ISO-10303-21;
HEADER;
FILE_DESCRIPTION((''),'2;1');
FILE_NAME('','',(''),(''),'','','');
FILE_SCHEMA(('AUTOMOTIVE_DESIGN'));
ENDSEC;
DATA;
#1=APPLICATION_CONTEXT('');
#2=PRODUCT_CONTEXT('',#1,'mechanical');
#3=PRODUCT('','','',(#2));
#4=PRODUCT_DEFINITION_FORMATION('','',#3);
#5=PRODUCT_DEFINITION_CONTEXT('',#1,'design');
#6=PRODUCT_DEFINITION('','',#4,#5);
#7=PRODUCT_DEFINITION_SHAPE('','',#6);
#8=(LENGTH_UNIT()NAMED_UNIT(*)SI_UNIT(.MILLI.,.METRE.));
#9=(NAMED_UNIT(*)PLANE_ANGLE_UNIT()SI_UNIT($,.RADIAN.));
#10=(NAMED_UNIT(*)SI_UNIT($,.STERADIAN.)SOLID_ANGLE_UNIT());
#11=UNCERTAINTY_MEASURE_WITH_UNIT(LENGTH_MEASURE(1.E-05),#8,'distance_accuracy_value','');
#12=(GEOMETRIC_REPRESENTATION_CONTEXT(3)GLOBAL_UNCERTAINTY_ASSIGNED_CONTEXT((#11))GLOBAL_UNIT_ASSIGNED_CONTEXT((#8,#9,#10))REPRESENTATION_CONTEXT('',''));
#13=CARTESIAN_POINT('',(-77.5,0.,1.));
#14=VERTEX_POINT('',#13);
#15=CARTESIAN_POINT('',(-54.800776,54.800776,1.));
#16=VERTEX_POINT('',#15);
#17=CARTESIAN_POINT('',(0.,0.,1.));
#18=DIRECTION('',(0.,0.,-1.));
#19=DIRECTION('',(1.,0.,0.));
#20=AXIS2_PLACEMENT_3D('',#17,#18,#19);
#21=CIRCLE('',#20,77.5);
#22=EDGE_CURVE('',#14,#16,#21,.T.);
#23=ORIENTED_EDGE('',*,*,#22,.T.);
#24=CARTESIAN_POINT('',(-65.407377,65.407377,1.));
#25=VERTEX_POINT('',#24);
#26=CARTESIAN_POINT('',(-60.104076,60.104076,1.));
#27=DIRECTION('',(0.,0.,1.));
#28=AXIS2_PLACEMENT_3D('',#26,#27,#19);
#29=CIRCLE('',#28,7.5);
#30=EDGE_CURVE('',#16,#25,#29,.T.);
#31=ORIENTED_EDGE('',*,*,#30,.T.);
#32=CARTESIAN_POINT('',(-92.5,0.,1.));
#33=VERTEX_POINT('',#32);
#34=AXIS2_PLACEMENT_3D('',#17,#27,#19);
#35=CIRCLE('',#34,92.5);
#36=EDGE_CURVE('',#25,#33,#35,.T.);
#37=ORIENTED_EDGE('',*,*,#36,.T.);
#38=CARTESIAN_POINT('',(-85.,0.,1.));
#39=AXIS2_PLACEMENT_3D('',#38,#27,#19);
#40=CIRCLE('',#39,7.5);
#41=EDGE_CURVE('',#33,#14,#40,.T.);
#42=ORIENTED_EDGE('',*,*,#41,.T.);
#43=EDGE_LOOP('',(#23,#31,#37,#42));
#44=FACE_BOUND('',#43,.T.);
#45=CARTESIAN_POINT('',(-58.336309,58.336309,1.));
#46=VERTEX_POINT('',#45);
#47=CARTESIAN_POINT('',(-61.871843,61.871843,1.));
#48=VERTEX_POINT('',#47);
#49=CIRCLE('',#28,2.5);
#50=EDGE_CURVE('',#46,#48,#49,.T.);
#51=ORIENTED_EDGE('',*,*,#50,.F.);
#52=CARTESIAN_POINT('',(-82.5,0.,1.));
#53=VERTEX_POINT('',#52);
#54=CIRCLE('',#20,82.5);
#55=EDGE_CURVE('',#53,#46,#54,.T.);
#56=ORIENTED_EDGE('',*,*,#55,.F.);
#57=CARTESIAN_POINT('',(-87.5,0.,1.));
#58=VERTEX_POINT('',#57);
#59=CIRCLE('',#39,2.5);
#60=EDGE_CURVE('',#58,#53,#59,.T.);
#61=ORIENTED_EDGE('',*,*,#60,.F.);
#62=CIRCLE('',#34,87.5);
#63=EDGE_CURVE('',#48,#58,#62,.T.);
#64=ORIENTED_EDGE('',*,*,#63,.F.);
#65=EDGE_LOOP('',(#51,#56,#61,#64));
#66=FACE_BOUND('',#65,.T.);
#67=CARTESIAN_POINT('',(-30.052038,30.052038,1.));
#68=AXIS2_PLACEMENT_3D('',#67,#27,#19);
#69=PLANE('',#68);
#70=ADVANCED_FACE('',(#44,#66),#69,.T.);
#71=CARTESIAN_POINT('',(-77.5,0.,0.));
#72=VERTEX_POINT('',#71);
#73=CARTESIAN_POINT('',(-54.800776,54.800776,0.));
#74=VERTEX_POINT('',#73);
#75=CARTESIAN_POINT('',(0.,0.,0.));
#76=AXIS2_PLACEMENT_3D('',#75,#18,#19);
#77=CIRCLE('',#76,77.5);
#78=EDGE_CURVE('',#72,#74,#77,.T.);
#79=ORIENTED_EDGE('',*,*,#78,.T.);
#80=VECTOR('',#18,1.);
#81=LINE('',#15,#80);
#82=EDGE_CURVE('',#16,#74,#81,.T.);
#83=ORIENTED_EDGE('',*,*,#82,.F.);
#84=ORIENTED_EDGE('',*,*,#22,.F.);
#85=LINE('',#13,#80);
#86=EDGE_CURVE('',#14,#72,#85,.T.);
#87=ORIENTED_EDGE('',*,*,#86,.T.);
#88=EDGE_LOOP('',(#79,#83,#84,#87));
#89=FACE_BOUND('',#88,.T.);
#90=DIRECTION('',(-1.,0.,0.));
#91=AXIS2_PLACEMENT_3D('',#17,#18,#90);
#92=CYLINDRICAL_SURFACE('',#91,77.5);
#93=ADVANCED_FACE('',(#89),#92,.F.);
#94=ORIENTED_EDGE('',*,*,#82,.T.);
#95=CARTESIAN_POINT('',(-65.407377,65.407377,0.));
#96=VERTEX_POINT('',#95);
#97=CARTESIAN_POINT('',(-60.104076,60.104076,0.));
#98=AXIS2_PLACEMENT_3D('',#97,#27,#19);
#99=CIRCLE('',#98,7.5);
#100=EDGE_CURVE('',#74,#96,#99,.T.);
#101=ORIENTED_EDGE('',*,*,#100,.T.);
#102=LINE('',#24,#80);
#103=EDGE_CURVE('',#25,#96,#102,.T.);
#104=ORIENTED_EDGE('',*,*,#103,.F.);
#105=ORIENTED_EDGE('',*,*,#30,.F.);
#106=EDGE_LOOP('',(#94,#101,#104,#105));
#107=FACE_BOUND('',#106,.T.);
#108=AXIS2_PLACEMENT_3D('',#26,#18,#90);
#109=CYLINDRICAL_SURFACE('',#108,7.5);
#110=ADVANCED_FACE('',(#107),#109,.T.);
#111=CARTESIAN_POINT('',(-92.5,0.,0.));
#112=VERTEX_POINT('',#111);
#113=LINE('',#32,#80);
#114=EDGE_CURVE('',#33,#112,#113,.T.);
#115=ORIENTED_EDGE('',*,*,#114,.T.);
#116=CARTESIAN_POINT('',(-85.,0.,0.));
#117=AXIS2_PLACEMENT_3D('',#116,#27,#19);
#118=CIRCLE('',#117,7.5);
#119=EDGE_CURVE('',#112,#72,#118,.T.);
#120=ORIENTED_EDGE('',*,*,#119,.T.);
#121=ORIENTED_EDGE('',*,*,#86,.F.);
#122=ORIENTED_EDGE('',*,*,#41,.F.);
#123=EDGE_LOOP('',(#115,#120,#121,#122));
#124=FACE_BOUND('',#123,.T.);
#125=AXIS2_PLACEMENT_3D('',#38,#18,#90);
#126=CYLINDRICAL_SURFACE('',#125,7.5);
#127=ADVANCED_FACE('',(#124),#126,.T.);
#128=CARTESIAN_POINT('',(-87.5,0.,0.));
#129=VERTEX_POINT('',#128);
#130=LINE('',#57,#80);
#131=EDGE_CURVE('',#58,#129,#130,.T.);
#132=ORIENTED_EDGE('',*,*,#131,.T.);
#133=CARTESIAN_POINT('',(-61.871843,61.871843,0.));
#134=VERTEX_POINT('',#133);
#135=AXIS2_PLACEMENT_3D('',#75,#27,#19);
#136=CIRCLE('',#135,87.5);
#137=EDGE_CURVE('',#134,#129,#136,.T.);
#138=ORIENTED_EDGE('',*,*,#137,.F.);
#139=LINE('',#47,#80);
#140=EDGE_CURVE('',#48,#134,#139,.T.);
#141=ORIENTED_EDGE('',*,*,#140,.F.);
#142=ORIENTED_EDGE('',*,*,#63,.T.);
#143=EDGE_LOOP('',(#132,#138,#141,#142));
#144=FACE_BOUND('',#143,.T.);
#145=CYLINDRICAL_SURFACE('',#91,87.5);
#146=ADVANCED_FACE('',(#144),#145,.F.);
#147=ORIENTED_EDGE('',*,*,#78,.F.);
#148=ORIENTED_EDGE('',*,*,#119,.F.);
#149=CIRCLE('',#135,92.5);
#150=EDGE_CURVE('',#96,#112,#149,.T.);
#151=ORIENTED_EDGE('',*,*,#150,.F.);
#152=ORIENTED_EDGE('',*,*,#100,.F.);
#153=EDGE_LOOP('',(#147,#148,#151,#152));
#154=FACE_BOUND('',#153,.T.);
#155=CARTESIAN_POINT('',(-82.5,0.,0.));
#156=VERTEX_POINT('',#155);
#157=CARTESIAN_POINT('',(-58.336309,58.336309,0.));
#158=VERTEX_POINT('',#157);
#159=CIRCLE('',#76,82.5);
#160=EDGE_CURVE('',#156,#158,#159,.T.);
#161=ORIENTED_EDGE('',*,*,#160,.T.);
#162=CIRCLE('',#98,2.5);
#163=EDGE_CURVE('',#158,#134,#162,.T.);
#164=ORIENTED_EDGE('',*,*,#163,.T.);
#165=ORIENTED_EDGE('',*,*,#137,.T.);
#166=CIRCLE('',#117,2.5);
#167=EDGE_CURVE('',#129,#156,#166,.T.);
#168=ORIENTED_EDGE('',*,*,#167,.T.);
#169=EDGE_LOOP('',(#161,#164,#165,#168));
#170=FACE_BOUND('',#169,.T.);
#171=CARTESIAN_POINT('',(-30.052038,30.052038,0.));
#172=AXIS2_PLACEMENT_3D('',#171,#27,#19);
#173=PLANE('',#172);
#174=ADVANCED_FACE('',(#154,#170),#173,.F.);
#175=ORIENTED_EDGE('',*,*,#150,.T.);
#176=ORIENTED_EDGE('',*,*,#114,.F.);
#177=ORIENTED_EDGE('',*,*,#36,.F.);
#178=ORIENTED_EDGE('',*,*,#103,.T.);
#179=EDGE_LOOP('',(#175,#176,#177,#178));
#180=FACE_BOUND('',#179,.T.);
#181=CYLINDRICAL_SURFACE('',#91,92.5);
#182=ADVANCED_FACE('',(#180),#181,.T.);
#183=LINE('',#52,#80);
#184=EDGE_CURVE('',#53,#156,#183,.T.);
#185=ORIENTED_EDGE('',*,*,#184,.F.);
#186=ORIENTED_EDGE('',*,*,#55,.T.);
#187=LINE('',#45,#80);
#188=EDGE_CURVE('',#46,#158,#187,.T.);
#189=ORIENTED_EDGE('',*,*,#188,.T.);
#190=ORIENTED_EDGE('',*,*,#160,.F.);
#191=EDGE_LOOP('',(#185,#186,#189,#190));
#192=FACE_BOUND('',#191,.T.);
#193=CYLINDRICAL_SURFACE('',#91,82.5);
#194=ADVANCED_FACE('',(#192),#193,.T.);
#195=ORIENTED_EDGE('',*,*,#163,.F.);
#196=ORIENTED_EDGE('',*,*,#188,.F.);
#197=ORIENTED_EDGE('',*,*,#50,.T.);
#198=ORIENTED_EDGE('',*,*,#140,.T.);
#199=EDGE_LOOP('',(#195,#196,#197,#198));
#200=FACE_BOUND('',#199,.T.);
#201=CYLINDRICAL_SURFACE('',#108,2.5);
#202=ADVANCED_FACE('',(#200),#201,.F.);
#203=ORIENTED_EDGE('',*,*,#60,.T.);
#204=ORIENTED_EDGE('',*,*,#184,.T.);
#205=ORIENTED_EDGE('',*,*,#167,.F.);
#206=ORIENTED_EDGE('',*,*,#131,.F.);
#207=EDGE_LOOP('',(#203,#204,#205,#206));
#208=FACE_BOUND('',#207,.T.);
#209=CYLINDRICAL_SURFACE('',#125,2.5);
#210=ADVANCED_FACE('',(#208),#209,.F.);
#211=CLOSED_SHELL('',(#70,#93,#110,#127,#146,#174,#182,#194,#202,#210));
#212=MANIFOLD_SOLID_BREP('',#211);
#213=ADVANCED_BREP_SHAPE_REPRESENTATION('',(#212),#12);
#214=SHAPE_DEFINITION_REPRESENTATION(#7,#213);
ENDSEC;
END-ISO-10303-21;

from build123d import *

# Parameters (mm, degrees)
EXTRUDE_1_DEPTH = 1


with BuildPart() as part:
    # Эскиз1 → Бобышка-Вытянуть1 (new body)
    with BuildSketch(Plane.XY):
        with BuildLine():
            ThreePointArc((-65.40737726, 65.40737726), (-85.458856757, 35.398217494), (-92.5, 0))
            ThreePointArc((-92.5, 0), (-85, -7.5), (-77.5, 0))
            ThreePointArc((-77.5, 0), (-71.60066377, 29.657966008), (-54.800775542, 54.800775542))
            ThreePointArc((-54.800775542, 54.800775542), (-54.800775542, 65.40737726), (-65.40737726, 65.40737726))
        make_face()
        with BuildLine():
            ThreePointArc((-61.871843354, 61.871843354), (-80.839459095, 33.484800332), (-87.5, 0))
            ThreePointArc((-87.5, 0), (-85, -2.5), (-82.5, 0))
            ThreePointArc((-82.5, 0), (-76.220061432, 31.57138317), (-58.336309448, 58.336309448))
            ThreePointArc((-58.336309448, 58.336309448), (-58.336309448, 61.871843354), (-61.871843354, 61.871843354))
        make_face(mode=Mode.SUBTRACT)
    extrude(amount=EXTRUDE_1_DEPTH)


solid = part.part
